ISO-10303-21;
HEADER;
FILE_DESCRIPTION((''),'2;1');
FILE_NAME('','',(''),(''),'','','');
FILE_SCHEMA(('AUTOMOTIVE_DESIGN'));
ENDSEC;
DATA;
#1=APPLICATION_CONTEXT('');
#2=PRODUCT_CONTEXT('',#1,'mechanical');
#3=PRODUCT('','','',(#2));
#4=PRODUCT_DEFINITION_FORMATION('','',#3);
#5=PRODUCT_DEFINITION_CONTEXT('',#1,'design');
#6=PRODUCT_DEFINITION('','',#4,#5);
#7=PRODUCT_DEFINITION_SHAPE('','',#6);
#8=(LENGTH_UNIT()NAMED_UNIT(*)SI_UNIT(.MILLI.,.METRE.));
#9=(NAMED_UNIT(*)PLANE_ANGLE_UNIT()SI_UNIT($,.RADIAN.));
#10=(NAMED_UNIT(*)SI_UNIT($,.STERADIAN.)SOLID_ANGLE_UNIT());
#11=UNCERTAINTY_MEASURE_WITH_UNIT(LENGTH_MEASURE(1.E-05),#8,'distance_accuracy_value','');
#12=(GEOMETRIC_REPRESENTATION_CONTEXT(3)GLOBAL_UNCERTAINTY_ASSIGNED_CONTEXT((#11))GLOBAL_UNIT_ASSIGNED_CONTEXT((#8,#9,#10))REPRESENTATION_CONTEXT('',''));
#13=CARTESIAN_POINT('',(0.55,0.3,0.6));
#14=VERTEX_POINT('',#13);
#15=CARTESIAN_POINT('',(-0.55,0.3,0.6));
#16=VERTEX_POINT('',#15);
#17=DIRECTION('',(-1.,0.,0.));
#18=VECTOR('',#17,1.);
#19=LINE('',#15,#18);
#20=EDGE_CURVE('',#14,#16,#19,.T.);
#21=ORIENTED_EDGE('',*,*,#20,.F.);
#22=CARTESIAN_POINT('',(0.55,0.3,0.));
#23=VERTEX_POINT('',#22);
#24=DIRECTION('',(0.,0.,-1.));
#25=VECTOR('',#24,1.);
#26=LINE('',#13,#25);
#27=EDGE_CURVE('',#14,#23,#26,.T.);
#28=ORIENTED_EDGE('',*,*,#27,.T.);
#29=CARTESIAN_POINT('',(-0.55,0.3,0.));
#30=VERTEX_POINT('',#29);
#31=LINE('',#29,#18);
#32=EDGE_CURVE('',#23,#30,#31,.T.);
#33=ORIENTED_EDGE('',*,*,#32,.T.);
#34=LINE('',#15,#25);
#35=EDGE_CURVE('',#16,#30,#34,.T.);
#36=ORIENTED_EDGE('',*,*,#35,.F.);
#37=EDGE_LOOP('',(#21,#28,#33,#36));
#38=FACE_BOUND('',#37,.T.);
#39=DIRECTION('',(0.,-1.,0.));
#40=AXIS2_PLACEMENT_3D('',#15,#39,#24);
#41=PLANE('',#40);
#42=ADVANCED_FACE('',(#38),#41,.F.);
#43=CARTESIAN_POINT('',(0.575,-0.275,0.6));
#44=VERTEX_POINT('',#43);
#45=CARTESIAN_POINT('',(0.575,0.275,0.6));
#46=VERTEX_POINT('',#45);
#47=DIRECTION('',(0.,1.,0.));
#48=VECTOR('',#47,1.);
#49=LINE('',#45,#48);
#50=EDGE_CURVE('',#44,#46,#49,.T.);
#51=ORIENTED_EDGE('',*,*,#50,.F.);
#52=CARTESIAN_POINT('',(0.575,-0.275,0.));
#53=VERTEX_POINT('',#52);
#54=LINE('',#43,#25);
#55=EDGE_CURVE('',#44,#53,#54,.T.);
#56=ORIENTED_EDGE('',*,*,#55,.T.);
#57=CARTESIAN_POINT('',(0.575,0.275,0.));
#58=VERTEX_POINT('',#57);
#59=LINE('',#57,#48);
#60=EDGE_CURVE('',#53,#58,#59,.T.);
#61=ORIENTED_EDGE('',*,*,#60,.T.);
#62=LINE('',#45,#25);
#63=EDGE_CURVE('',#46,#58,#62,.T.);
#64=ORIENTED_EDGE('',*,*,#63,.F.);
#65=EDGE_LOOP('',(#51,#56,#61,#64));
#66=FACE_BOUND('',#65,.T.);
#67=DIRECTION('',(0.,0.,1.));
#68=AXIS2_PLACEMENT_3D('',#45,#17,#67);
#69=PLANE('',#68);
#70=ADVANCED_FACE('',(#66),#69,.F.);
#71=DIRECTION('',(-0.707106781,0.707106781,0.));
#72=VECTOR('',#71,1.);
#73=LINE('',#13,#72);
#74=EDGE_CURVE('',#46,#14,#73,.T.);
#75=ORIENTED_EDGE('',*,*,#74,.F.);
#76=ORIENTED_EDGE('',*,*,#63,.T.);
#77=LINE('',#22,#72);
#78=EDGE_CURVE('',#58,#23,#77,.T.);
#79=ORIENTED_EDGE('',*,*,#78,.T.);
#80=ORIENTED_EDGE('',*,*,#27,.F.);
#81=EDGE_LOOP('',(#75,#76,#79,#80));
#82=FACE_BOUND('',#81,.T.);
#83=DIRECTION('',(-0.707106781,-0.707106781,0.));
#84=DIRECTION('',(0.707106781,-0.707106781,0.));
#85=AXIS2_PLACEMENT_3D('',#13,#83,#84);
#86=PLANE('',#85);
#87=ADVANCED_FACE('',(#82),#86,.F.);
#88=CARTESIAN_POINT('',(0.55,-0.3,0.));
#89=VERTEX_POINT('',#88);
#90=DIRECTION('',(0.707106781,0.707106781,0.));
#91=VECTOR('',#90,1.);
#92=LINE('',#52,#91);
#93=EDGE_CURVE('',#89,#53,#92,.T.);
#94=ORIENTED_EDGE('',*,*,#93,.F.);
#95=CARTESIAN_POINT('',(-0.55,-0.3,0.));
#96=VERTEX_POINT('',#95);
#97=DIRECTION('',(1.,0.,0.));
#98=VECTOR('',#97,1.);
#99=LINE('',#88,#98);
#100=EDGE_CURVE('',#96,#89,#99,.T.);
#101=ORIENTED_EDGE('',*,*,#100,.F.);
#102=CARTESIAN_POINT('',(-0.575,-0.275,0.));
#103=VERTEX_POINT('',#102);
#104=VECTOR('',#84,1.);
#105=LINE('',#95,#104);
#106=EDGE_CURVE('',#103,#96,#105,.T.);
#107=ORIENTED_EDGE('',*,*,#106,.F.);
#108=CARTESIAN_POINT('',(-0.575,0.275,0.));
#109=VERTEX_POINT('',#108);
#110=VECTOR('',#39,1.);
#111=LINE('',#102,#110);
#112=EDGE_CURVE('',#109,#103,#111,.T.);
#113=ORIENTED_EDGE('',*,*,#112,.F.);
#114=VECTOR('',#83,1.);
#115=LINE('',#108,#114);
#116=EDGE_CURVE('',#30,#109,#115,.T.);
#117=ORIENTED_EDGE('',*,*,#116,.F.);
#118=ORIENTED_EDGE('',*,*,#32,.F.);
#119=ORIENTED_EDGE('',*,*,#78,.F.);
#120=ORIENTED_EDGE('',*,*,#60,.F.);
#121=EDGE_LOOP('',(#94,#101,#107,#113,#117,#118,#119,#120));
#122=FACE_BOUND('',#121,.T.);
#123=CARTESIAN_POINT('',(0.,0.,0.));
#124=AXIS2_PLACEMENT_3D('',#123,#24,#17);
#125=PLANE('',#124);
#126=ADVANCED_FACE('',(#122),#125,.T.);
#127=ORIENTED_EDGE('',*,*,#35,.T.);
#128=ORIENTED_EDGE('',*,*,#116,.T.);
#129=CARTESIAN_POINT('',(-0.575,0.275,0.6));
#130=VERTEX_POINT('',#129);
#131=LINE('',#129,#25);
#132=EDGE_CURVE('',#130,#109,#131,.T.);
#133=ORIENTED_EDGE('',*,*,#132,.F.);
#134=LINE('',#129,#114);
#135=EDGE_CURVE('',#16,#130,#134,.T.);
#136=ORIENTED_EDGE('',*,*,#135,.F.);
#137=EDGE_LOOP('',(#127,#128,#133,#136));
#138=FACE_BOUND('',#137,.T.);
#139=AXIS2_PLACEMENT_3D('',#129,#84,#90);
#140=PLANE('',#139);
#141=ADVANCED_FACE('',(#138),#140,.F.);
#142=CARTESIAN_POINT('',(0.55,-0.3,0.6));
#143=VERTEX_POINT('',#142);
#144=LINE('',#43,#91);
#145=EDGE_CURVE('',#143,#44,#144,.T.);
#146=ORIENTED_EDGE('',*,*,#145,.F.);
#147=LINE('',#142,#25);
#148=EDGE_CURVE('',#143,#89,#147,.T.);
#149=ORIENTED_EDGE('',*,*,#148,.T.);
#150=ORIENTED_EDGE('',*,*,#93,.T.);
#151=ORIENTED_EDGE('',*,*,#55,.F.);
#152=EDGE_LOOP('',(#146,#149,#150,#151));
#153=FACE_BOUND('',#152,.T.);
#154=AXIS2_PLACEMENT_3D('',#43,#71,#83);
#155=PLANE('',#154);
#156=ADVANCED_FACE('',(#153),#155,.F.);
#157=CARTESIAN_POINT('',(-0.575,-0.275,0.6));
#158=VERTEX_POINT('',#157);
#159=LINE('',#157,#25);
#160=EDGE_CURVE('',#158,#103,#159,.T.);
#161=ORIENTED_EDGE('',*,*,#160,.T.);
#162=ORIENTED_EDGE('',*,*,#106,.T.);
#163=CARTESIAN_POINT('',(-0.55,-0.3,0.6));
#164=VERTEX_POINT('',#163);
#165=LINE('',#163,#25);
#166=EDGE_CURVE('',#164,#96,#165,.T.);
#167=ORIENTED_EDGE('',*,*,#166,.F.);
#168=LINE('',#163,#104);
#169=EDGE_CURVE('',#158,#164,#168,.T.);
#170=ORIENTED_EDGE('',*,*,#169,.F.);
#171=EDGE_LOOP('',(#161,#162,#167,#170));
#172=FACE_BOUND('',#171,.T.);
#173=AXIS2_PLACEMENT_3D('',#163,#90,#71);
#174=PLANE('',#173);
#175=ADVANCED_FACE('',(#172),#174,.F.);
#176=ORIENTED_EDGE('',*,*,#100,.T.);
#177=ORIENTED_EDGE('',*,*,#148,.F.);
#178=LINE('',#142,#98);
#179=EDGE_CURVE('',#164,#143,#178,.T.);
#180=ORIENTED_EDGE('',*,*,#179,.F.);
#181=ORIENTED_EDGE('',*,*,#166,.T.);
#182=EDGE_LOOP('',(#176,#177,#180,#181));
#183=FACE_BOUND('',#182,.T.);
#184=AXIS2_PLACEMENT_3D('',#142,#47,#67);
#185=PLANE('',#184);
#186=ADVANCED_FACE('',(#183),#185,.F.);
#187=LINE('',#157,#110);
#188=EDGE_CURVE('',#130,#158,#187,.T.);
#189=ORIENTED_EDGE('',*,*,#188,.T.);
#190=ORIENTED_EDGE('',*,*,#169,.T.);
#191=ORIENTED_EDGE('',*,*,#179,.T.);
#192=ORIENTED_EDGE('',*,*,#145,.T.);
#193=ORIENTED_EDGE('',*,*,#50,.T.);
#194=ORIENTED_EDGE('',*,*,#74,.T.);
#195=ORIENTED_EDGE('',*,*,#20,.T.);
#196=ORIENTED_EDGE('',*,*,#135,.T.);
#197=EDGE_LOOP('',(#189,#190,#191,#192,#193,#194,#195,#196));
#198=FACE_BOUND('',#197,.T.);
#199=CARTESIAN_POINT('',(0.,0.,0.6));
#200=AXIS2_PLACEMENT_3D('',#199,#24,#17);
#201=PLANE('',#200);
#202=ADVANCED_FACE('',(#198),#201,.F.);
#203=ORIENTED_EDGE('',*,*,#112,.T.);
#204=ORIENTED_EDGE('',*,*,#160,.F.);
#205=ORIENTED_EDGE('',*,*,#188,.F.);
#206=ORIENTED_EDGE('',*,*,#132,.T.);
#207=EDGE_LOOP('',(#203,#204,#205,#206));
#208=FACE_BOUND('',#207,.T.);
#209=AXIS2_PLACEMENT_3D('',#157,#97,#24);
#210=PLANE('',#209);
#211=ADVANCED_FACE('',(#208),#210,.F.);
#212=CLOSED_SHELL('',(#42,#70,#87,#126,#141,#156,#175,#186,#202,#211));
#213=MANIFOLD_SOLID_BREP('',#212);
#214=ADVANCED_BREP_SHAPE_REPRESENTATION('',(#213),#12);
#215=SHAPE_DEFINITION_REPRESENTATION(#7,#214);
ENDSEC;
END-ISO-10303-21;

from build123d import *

# Parameters (mm, degrees)
COMPONENT_OUTLINE_DEPTH = 0.6


with BuildPart() as part:
    # 草图1 → Component_Outline (new body)
    with BuildSketch(Plane.XY):
        Polygon((-0.575, 0.275), (-0.55, 0.3), (0.55, 0.3), (0.575, 0.275), (0.575, -0.275), (0.55, -0.3), (-0.55, -0.3), (-0.575, -0.275), align=None)
    extrude(amount=COMPONENT_OUTLINE_DEPTH)


solid = part.part
